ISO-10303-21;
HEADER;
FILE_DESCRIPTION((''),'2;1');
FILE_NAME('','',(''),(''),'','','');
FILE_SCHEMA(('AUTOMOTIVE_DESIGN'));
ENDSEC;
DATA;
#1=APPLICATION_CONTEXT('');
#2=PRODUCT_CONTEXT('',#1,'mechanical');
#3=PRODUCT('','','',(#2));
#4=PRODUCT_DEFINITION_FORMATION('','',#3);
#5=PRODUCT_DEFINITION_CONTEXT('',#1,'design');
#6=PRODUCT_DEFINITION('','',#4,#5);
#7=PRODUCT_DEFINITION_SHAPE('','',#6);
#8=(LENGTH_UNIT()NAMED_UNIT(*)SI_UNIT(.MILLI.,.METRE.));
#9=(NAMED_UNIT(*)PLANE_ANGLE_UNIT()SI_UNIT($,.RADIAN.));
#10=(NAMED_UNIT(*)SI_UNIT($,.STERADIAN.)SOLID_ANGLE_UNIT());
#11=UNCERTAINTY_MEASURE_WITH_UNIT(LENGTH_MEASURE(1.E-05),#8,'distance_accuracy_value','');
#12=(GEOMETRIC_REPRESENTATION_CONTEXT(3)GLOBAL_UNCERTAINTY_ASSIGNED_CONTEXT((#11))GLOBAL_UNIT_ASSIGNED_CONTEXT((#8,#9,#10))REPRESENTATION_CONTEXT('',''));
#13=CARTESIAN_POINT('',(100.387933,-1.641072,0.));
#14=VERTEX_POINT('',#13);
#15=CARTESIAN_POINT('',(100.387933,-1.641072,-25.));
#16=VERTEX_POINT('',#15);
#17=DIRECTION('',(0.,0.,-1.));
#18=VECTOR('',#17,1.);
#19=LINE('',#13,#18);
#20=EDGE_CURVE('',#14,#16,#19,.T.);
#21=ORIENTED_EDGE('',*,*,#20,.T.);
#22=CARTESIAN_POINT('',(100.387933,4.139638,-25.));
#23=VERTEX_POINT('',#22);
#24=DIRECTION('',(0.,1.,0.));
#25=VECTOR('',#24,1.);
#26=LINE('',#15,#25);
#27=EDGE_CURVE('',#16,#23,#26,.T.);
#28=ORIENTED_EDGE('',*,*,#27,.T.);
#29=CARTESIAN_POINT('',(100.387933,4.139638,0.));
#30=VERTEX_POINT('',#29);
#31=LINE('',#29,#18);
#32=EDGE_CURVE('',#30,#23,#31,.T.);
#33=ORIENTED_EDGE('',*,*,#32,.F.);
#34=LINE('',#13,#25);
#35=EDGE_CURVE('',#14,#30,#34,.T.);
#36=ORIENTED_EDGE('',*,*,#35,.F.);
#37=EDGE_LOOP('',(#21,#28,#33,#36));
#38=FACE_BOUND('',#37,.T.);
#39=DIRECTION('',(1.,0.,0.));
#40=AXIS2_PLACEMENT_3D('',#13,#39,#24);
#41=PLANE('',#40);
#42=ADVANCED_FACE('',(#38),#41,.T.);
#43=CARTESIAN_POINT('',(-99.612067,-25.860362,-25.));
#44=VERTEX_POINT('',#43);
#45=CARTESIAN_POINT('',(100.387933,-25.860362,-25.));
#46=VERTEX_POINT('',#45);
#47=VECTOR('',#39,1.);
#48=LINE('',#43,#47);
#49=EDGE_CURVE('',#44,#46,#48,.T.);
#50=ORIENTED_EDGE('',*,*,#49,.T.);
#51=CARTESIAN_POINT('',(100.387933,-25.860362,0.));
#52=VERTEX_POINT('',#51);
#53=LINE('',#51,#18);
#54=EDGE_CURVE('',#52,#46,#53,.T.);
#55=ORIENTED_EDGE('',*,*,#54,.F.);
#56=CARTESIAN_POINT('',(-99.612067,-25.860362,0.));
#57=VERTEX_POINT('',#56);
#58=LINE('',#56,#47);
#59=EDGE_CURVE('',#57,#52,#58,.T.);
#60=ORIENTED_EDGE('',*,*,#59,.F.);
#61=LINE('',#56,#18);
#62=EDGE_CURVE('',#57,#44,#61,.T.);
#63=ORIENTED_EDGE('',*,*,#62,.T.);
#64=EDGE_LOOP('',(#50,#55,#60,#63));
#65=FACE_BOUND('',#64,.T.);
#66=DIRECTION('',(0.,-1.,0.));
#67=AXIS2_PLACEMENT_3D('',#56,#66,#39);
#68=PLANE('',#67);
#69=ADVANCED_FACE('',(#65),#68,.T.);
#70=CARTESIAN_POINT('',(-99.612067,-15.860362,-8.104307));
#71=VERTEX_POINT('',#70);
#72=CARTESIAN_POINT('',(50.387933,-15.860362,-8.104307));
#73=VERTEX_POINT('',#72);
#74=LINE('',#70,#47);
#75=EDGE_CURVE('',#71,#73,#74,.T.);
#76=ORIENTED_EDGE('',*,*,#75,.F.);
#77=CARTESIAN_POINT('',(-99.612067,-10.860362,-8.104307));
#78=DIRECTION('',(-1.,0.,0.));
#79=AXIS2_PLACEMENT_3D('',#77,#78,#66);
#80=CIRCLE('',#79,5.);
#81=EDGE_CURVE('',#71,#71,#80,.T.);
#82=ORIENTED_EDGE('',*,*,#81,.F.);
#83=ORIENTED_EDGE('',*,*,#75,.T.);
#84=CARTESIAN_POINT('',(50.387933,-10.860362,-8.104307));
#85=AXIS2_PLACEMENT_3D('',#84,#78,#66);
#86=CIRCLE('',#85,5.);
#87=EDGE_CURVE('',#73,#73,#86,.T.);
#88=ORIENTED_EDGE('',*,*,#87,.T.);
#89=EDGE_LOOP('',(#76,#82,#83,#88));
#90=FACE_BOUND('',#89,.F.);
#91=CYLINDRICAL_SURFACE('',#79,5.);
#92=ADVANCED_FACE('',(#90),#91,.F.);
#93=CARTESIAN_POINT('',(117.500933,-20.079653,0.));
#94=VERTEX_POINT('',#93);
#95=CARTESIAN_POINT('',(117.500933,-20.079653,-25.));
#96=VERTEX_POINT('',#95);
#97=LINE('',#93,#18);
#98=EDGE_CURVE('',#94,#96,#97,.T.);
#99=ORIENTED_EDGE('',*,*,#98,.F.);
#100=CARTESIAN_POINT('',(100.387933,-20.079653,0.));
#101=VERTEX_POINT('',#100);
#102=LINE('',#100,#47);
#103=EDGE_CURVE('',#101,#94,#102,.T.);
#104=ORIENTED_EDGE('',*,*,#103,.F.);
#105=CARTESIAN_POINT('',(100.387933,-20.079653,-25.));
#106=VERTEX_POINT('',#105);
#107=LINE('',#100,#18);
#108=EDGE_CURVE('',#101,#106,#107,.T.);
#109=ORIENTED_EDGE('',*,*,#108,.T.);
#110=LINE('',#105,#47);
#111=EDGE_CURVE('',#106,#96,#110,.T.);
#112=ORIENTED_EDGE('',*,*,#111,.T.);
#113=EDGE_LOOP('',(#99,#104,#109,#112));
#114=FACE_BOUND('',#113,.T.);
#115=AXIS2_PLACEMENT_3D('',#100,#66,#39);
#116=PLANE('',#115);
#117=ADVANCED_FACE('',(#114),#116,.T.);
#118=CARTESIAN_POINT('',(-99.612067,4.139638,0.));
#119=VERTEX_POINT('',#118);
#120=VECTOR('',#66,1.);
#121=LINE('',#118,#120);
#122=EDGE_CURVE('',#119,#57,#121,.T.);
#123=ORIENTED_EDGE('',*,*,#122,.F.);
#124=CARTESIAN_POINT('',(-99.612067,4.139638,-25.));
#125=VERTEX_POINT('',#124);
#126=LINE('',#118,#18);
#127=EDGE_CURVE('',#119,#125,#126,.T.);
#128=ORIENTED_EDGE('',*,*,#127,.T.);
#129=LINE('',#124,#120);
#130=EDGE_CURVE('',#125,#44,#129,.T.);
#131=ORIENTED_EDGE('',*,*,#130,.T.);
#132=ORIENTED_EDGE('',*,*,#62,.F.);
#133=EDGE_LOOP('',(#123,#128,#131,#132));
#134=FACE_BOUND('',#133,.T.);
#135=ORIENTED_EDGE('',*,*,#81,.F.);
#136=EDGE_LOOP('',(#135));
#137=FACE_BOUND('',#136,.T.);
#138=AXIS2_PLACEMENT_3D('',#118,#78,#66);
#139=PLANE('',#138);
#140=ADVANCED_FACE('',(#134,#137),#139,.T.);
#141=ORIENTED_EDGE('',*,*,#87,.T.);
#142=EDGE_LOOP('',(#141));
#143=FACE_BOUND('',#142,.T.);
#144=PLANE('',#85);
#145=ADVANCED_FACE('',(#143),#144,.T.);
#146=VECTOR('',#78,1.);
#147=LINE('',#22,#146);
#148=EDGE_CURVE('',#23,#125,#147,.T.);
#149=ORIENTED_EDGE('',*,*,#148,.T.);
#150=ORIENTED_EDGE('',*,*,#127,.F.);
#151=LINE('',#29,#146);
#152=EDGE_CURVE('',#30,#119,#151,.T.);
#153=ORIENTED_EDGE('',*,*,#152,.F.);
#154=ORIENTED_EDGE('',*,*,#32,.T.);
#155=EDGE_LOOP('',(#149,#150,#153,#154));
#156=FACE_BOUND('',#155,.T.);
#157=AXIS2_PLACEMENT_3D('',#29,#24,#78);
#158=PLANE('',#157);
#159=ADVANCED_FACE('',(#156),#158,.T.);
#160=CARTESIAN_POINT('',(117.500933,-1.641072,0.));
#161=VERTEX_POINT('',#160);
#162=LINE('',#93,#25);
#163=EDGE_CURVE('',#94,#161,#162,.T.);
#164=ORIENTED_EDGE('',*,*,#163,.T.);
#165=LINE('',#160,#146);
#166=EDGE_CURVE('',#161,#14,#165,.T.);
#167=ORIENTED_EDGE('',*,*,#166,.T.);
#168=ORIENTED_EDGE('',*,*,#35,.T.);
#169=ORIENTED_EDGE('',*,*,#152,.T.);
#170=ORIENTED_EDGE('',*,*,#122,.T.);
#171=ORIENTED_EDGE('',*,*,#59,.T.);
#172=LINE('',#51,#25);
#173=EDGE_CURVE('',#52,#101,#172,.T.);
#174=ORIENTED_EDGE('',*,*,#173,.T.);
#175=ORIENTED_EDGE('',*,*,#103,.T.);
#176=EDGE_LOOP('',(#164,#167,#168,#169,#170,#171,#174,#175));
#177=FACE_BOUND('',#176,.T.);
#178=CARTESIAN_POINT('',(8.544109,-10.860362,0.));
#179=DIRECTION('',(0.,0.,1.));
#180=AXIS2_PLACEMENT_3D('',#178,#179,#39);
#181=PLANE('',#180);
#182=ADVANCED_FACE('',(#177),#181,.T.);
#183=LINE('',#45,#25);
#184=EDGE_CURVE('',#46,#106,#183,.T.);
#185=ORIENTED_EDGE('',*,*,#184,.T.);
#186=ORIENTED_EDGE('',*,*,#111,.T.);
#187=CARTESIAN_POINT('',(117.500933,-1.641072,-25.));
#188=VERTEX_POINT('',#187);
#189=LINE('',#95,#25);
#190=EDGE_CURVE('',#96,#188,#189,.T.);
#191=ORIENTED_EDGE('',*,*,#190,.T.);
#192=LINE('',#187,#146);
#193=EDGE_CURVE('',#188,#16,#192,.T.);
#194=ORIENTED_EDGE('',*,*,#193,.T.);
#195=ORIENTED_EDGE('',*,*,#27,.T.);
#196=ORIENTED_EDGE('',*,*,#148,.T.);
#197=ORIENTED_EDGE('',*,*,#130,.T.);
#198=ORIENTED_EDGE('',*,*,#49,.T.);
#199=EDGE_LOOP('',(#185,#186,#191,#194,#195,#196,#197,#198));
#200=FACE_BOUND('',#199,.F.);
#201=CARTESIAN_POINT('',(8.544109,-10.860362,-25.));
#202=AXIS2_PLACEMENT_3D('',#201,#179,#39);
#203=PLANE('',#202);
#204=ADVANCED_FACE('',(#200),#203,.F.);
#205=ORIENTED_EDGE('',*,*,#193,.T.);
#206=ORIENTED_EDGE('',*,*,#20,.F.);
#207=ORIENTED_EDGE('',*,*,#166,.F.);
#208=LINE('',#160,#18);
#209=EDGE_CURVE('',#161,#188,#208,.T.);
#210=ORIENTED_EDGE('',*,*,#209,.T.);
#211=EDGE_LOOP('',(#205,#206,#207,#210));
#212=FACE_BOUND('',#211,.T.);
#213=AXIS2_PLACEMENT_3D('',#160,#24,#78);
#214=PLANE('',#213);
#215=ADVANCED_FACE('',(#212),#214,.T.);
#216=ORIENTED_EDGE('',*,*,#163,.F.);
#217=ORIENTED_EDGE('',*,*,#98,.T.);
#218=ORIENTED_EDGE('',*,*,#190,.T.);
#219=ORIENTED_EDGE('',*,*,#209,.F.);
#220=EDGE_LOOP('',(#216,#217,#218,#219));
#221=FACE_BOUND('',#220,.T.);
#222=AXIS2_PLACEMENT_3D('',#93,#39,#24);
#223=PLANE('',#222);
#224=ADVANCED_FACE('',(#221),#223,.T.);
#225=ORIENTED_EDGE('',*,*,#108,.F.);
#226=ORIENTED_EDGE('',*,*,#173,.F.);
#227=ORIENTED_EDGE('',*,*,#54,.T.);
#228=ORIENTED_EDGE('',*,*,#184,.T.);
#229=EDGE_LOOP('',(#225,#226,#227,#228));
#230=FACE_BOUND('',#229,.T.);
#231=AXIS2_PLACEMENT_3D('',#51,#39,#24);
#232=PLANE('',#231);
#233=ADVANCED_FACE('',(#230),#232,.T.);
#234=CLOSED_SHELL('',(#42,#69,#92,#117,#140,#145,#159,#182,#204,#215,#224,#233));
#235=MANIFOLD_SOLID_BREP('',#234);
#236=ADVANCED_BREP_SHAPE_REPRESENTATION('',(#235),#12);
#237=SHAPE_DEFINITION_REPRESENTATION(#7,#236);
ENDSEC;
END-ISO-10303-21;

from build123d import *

# Parameters (mm, degrees)
F1_DEPTH = 25
F2_R     = 5
F3_DEPTH = 150


with BuildPart() as f1:
    # F0 (on Top) → F1 (new body)
    with BuildSketch(Plane.XY):
        Polygon((31.593338, 4.139638), (-99.612067, 4.139638), (-99.612067, -25.860362), (31.593338, -25.860362), (81.593338, -25.860362), (100.387933, -25.860362), (100.387933, -20.079653), (117.500933, -20.079653), (117.500933, -1.641072), (100.387933, -1.641072), (100.387933, 4.139638), (81.593338, 4.139638), align=None)
    extrude(amount=-F1_DEPTH)

    # F2 (on face) → F3 (cut)
    with BuildSketch(Plane(origin=(-99.612067, 0, 0), x_dir=(0, -1, 0), z_dir=(-1, 0, 0))):
        with Locations((10.860362, -8.104307)):
            Circle(F2_R)
    extrude(amount=-F3_DEPTH, mode=Mode.SUBTRACT)


solid = f1.part
